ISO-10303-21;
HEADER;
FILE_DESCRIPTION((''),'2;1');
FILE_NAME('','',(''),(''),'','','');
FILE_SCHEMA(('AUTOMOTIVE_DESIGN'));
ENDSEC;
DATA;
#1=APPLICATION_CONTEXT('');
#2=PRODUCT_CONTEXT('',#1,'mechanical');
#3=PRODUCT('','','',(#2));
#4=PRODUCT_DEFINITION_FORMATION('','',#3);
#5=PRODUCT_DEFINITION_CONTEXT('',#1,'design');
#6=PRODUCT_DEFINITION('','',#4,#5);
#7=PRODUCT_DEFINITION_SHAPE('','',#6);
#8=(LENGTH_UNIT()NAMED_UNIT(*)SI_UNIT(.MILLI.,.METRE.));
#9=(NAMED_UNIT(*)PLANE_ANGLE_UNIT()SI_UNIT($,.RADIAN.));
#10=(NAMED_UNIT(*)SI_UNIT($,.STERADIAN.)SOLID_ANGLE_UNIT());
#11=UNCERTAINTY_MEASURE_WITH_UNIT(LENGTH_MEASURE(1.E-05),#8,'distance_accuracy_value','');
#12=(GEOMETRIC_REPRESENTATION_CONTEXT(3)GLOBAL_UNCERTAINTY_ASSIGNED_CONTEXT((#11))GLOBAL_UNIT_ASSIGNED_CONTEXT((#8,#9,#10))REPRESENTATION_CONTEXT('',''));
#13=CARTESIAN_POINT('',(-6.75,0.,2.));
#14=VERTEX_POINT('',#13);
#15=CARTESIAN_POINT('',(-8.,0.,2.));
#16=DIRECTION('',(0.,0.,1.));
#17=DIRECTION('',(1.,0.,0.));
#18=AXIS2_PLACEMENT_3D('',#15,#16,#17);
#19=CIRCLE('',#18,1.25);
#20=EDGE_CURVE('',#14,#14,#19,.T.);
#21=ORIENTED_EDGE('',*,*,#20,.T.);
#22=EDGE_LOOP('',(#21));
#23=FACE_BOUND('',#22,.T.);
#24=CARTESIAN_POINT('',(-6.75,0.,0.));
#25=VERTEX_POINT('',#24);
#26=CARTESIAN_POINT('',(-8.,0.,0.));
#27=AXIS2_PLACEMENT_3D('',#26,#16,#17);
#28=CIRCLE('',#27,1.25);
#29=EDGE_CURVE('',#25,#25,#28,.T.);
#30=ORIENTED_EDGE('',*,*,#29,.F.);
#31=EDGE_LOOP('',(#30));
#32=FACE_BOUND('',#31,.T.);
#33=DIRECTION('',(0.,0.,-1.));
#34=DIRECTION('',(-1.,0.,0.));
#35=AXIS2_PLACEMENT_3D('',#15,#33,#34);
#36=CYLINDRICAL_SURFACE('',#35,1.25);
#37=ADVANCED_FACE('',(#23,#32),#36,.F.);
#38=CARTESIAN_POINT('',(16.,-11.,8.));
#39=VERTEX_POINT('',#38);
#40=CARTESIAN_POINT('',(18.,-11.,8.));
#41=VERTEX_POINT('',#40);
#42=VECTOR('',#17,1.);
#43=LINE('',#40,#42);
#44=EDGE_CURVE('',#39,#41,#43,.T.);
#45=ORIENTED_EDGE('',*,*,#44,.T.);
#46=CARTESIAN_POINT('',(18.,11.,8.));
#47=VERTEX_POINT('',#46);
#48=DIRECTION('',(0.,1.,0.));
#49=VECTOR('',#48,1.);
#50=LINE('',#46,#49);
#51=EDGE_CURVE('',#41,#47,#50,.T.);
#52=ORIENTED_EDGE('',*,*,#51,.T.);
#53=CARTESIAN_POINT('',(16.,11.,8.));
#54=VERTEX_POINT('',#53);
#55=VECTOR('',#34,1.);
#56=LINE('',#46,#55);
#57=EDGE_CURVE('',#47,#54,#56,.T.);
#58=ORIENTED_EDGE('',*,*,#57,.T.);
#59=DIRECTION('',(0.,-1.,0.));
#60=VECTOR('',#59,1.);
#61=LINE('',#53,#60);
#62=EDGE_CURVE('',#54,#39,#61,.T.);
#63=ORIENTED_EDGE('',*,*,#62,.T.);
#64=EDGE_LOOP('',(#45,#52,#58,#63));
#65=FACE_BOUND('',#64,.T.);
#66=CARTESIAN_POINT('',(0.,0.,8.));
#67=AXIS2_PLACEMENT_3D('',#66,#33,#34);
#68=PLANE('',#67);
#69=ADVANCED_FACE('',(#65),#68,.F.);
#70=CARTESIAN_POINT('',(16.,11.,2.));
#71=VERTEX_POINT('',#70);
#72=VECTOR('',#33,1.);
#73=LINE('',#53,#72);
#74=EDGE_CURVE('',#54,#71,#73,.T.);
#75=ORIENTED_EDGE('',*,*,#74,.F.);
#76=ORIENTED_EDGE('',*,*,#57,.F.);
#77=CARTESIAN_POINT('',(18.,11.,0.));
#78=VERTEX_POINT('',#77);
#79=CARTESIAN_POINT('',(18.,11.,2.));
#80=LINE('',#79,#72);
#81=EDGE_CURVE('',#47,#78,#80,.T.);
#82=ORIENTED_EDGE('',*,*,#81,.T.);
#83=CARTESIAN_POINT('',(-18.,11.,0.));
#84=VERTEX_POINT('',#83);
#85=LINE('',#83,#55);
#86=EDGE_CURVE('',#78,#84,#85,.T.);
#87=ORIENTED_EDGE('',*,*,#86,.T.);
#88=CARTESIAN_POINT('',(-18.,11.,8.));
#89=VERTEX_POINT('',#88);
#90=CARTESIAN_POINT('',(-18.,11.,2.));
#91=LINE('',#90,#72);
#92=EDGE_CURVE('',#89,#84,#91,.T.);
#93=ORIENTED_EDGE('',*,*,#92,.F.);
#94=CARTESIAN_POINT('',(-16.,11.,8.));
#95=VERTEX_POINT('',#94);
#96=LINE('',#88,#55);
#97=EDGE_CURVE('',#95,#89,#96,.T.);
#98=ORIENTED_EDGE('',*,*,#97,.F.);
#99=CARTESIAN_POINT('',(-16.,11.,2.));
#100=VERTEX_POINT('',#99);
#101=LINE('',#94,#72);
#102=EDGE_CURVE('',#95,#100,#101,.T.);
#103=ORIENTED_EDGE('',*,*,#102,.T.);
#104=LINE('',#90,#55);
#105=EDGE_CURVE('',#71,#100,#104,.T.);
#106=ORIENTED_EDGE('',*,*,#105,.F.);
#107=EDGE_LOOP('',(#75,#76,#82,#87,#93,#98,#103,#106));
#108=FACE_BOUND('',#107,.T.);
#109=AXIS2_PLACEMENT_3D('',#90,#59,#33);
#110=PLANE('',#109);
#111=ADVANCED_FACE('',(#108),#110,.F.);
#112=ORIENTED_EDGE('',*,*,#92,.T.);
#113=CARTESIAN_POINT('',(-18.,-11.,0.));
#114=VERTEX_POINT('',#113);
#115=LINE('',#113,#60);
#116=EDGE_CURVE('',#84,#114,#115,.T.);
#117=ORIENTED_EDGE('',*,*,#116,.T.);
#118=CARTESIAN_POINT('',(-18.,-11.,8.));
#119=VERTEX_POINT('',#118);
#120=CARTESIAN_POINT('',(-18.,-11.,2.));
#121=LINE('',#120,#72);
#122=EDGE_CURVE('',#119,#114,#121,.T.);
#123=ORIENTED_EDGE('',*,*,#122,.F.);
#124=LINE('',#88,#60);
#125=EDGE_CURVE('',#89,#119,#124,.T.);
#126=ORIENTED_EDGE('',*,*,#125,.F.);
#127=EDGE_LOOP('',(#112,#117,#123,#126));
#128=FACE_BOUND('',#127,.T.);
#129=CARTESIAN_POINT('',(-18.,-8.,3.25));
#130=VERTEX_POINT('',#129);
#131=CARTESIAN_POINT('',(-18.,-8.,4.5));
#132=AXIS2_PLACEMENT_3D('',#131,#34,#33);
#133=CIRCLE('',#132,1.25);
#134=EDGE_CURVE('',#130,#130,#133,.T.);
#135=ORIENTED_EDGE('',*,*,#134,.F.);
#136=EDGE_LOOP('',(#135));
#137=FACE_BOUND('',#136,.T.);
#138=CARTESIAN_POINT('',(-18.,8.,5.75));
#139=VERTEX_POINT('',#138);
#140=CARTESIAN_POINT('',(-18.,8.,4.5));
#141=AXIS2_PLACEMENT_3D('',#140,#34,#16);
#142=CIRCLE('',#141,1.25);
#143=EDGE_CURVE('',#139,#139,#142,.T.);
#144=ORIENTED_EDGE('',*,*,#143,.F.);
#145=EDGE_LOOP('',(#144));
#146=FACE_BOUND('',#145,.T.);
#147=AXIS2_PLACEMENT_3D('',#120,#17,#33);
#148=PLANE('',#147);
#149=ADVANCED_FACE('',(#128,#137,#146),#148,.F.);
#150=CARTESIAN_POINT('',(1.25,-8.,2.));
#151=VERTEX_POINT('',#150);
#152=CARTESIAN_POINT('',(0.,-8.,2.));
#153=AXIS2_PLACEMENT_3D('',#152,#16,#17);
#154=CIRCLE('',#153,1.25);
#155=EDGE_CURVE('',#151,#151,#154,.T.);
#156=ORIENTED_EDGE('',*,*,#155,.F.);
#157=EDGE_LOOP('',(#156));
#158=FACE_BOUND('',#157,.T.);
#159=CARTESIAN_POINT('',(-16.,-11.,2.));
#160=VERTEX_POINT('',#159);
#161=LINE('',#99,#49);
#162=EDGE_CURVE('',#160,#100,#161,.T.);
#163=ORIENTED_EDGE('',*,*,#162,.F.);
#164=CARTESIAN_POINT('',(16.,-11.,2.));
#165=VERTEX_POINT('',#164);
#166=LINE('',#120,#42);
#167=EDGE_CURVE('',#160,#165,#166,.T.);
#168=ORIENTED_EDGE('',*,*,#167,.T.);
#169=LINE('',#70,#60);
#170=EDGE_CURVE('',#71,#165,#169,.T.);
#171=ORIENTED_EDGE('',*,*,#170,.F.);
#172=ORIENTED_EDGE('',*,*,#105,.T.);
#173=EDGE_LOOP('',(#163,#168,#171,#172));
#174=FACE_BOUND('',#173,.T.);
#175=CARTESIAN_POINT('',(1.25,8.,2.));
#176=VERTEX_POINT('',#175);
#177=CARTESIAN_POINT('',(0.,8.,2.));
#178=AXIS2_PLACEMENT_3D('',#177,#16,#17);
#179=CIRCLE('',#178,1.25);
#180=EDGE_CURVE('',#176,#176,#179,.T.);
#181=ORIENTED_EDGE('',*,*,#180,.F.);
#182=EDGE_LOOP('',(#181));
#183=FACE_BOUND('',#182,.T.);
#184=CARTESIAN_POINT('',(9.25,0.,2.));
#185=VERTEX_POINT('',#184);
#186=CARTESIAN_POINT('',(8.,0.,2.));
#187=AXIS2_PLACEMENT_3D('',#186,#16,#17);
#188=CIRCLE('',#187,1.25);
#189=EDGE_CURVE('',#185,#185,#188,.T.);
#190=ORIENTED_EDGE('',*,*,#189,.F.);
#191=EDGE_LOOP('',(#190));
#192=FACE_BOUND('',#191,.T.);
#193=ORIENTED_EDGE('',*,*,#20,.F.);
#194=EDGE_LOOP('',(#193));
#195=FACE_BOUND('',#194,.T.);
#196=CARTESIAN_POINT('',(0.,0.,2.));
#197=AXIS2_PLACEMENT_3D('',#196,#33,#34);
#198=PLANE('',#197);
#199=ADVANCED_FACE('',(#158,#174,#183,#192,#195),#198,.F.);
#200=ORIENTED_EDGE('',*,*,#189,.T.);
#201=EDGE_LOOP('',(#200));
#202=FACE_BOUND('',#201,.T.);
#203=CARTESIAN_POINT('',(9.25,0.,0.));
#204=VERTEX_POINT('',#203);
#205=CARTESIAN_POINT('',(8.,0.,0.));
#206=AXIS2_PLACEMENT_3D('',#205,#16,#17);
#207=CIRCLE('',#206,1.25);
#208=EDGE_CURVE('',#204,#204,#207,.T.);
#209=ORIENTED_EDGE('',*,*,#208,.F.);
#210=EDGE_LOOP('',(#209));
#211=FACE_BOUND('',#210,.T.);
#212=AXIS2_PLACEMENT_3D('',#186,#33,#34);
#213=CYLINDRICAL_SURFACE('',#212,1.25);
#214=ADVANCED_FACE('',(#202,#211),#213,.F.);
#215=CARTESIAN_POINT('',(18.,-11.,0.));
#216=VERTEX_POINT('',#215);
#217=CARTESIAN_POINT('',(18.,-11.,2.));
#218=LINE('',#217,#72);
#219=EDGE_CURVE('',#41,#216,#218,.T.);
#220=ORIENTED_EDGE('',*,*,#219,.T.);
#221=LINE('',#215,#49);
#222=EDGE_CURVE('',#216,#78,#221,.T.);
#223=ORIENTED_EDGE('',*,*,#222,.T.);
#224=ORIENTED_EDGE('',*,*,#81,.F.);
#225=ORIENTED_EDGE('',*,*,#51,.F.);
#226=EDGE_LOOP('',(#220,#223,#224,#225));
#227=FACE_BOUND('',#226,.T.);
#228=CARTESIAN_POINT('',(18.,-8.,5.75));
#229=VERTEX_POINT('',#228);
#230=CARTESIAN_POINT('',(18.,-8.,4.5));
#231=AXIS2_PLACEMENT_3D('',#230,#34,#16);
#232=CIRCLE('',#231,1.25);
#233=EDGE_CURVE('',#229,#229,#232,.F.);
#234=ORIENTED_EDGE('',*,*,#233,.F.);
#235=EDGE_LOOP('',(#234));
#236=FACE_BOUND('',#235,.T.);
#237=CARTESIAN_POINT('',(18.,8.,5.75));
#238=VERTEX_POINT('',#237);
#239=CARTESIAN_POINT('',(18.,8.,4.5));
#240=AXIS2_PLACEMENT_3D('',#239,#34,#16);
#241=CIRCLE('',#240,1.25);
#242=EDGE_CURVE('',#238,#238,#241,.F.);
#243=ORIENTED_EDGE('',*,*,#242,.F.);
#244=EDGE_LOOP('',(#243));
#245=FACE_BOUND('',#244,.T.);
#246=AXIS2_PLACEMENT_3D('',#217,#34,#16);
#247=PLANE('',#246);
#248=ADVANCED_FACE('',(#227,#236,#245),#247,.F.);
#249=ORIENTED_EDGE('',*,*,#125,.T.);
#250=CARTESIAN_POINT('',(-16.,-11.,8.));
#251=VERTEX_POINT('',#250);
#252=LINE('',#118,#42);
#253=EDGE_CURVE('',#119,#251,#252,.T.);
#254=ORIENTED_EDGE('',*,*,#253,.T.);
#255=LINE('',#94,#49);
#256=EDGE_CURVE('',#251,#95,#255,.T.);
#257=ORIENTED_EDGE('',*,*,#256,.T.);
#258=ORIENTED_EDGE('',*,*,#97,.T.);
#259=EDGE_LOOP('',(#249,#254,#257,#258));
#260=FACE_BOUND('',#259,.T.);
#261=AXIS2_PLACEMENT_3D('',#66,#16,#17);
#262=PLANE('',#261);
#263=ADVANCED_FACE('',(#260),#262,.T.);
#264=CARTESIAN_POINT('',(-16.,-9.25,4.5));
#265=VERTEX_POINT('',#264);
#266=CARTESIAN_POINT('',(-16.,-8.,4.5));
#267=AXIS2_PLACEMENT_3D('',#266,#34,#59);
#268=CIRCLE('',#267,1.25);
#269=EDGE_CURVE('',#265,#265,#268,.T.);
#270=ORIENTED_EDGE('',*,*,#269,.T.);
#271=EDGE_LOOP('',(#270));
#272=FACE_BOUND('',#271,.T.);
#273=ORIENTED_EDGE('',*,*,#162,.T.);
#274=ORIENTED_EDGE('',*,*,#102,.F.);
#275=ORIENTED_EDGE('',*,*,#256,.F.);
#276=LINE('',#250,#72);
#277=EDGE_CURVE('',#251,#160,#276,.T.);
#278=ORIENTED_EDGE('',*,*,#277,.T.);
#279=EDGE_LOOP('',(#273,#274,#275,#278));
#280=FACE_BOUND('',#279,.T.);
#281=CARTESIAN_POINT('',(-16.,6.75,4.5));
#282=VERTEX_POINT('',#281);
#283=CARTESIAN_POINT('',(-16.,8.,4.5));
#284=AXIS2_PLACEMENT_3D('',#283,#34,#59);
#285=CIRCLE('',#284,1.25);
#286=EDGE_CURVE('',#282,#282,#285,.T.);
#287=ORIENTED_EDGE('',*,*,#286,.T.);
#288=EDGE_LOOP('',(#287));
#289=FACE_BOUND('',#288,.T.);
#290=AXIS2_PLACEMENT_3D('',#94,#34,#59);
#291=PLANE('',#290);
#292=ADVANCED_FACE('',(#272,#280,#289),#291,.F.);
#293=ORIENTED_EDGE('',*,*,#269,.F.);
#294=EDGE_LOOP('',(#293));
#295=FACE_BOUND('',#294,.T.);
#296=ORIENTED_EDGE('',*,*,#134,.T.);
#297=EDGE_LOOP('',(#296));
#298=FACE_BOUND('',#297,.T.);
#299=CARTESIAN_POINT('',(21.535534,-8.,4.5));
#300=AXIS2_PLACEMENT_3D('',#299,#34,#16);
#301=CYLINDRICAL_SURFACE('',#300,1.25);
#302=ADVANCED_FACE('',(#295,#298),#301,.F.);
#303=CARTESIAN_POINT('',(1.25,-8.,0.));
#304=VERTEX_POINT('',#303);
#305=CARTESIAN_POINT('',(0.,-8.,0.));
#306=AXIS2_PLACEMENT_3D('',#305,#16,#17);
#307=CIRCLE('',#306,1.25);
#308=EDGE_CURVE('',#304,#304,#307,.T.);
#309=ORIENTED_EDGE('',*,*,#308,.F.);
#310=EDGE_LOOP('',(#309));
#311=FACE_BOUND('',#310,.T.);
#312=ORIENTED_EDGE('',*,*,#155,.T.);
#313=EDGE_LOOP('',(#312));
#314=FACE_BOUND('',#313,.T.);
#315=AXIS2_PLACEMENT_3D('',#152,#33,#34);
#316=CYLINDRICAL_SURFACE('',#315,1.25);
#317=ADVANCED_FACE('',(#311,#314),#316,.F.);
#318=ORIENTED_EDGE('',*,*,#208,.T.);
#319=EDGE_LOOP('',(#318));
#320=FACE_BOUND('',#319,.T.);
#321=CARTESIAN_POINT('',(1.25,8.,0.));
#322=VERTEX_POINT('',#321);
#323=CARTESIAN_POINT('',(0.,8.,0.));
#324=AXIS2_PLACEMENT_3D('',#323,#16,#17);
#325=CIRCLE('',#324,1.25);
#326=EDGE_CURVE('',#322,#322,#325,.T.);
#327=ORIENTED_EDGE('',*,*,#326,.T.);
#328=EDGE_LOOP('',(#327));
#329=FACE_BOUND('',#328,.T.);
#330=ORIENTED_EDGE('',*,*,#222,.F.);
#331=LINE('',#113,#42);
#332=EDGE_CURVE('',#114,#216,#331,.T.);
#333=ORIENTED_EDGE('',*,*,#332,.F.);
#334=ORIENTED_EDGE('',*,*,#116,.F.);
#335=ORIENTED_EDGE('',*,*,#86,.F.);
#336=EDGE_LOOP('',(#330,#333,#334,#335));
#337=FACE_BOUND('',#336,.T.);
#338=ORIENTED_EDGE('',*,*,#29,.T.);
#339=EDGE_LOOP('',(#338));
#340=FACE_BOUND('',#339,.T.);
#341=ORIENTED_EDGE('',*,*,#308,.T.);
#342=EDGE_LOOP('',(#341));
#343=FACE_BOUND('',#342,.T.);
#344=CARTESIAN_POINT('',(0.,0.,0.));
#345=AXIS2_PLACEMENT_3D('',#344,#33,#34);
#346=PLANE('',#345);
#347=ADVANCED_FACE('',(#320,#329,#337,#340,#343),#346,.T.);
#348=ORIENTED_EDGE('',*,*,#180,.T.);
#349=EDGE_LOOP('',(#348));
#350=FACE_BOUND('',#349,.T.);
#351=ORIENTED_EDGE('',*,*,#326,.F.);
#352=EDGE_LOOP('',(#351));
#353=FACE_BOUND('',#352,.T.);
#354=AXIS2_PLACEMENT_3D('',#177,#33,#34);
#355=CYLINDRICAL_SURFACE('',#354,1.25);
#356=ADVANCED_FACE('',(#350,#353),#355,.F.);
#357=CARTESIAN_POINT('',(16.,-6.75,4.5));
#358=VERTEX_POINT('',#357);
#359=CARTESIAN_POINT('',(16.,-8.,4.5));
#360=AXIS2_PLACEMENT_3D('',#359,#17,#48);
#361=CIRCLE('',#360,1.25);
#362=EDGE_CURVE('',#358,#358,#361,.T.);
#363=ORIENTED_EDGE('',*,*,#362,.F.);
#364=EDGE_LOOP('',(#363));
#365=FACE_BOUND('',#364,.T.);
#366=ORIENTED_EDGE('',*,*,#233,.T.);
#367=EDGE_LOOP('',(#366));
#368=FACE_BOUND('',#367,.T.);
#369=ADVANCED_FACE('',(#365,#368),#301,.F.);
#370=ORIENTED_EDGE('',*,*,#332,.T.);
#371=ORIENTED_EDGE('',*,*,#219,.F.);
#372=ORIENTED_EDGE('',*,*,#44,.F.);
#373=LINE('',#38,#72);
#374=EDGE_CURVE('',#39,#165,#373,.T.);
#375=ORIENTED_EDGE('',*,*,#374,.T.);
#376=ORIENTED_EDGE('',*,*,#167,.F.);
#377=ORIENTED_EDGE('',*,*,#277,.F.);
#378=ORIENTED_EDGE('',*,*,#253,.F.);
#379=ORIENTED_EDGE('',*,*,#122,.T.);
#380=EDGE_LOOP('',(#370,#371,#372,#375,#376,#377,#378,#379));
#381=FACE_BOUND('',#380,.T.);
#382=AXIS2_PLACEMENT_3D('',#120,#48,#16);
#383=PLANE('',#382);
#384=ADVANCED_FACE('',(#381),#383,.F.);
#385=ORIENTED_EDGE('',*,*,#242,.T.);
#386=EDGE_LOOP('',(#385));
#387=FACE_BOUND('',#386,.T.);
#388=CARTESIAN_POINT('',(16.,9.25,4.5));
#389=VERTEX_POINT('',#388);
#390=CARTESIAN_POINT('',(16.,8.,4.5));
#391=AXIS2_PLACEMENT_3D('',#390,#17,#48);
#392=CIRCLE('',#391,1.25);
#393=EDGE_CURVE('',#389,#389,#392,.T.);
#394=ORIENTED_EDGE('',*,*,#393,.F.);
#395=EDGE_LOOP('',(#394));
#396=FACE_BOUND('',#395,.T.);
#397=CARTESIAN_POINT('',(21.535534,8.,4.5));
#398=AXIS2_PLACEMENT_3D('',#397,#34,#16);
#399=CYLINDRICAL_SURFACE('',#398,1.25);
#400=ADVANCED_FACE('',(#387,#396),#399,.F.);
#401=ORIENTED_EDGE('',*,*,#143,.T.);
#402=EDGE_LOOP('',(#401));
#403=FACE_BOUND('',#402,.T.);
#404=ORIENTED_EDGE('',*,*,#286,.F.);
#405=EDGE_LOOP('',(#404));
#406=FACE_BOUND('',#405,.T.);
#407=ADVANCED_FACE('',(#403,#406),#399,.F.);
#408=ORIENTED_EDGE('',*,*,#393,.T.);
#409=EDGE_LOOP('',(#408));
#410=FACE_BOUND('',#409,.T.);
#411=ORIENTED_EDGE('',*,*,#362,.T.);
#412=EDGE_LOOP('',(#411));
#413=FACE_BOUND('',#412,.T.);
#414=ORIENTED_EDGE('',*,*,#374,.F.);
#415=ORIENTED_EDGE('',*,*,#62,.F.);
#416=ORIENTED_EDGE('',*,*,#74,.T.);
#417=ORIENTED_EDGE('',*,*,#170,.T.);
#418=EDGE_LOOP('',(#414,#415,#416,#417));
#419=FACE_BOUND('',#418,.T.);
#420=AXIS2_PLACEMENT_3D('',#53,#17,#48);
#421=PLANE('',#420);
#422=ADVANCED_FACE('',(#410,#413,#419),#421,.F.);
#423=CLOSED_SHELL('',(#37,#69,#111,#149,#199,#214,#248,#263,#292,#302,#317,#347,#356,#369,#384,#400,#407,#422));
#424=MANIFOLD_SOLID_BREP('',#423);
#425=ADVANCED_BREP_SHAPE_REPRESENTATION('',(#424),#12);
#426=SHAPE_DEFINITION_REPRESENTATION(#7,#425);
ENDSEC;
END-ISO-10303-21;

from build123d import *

# Parameters (mm, degrees)
ESBO_O1_W                = 36
ESBO_O1_H                = 22
ESBO_O1_R                = 1.25
RESSALTO_EXTRUS_O1_DEPTH = 2
ESBO_O2_W                = 2
ESBO_O2_H                = 22
RESSALTO_EXTRUS_O2_DEPTH = 6
CORTE_EXTRUS_O1_REACH    = 40.484
ESBO_O3_R                = 1.25


with BuildPart() as part:
    # Esboço1 → Ressalto-extrusão1 (new body)
    with BuildSketch(Plane.XY):
        Rectangle(ESBO_O1_W, ESBO_O1_H)
        with Locations((0, 8)):
            Circle(ESBO_O1_R, mode=Mode.SUBTRACT)
        with Locations((8, 0)):
            Circle(ESBO_O1_R, mode=Mode.SUBTRACT)
        with Locations((0, -8)):
            Circle(ESBO_O1_R, mode=Mode.SUBTRACT)
        with Locations((-8, 0)):
            Circle(ESBO_O1_R, mode=Mode.SUBTRACT)
    extrude(amount=RESSALTO_EXTRUS_O1_DEPTH)

    # Esboço2 → Ressalto-extrusão2 (add)
    with BuildSketch(Plane.XY.offset(2)):
        with Locations((-17, 0)):
            Rectangle(ESBO_O2_W, ESBO_O2_H)
        with Locations((17, 0)):
            Rectangle(ESBO_O2_W, ESBO_O2_H)
    extrude(amount=RESSALTO_EXTRUS_O2_DEPTH)

    # Corte-extrusão1: up to this face of the body (flat: up to its plane)
    corte_extrus_o1_end = Plane(part.part.faces().sort_by_distance((18, 0, 4))[0])
    # Esboço3 → Corte-extrusão1 (cut, up to the picked face)
    with BuildSketch(Plane.ZY.offset(18), mode=Mode.PRIVATE) as corte_extrus_o1_sk1:
        with Locations((4.5, 8)):
            Circle(ESBO_O3_R)
    corte_extrus_o1_tool1 = split(extrude(corte_extrus_o1_sk1.sketch, amount=-CORTE_EXTRUS_O1_REACH, mode=Mode.PRIVATE), bisect_by=corte_extrus_o1_end, keep=Keep.BOTH, mode=Mode.PRIVATE)
    # Esboço3 → Corte-extrusão1 (cut, up to the picked face)
    with BuildSketch(Plane.ZY.offset(18), mode=Mode.PRIVATE) as corte_extrus_o1_sk2:
        with Locations((4.5, -8)):
            Circle(ESBO_O3_R)
    corte_extrus_o1_tool2 = split(extrude(corte_extrus_o1_sk2.sketch, amount=-CORTE_EXTRUS_O1_REACH, mode=Mode.PRIVATE), bisect_by=corte_extrus_o1_end, keep=Keep.BOTH, mode=Mode.PRIVATE)
    add(corte_extrus_o1_tool1.solids().sort_by(Axis((-18, 8, 4.5), (1, 0, 0)))[0], mode=Mode.SUBTRACT)
    add(corte_extrus_o1_tool2.solids().sort_by(Axis((-18, -8, 4.5), (1, 0, 0)))[0], mode=Mode.SUBTRACT)


solid = part.part
